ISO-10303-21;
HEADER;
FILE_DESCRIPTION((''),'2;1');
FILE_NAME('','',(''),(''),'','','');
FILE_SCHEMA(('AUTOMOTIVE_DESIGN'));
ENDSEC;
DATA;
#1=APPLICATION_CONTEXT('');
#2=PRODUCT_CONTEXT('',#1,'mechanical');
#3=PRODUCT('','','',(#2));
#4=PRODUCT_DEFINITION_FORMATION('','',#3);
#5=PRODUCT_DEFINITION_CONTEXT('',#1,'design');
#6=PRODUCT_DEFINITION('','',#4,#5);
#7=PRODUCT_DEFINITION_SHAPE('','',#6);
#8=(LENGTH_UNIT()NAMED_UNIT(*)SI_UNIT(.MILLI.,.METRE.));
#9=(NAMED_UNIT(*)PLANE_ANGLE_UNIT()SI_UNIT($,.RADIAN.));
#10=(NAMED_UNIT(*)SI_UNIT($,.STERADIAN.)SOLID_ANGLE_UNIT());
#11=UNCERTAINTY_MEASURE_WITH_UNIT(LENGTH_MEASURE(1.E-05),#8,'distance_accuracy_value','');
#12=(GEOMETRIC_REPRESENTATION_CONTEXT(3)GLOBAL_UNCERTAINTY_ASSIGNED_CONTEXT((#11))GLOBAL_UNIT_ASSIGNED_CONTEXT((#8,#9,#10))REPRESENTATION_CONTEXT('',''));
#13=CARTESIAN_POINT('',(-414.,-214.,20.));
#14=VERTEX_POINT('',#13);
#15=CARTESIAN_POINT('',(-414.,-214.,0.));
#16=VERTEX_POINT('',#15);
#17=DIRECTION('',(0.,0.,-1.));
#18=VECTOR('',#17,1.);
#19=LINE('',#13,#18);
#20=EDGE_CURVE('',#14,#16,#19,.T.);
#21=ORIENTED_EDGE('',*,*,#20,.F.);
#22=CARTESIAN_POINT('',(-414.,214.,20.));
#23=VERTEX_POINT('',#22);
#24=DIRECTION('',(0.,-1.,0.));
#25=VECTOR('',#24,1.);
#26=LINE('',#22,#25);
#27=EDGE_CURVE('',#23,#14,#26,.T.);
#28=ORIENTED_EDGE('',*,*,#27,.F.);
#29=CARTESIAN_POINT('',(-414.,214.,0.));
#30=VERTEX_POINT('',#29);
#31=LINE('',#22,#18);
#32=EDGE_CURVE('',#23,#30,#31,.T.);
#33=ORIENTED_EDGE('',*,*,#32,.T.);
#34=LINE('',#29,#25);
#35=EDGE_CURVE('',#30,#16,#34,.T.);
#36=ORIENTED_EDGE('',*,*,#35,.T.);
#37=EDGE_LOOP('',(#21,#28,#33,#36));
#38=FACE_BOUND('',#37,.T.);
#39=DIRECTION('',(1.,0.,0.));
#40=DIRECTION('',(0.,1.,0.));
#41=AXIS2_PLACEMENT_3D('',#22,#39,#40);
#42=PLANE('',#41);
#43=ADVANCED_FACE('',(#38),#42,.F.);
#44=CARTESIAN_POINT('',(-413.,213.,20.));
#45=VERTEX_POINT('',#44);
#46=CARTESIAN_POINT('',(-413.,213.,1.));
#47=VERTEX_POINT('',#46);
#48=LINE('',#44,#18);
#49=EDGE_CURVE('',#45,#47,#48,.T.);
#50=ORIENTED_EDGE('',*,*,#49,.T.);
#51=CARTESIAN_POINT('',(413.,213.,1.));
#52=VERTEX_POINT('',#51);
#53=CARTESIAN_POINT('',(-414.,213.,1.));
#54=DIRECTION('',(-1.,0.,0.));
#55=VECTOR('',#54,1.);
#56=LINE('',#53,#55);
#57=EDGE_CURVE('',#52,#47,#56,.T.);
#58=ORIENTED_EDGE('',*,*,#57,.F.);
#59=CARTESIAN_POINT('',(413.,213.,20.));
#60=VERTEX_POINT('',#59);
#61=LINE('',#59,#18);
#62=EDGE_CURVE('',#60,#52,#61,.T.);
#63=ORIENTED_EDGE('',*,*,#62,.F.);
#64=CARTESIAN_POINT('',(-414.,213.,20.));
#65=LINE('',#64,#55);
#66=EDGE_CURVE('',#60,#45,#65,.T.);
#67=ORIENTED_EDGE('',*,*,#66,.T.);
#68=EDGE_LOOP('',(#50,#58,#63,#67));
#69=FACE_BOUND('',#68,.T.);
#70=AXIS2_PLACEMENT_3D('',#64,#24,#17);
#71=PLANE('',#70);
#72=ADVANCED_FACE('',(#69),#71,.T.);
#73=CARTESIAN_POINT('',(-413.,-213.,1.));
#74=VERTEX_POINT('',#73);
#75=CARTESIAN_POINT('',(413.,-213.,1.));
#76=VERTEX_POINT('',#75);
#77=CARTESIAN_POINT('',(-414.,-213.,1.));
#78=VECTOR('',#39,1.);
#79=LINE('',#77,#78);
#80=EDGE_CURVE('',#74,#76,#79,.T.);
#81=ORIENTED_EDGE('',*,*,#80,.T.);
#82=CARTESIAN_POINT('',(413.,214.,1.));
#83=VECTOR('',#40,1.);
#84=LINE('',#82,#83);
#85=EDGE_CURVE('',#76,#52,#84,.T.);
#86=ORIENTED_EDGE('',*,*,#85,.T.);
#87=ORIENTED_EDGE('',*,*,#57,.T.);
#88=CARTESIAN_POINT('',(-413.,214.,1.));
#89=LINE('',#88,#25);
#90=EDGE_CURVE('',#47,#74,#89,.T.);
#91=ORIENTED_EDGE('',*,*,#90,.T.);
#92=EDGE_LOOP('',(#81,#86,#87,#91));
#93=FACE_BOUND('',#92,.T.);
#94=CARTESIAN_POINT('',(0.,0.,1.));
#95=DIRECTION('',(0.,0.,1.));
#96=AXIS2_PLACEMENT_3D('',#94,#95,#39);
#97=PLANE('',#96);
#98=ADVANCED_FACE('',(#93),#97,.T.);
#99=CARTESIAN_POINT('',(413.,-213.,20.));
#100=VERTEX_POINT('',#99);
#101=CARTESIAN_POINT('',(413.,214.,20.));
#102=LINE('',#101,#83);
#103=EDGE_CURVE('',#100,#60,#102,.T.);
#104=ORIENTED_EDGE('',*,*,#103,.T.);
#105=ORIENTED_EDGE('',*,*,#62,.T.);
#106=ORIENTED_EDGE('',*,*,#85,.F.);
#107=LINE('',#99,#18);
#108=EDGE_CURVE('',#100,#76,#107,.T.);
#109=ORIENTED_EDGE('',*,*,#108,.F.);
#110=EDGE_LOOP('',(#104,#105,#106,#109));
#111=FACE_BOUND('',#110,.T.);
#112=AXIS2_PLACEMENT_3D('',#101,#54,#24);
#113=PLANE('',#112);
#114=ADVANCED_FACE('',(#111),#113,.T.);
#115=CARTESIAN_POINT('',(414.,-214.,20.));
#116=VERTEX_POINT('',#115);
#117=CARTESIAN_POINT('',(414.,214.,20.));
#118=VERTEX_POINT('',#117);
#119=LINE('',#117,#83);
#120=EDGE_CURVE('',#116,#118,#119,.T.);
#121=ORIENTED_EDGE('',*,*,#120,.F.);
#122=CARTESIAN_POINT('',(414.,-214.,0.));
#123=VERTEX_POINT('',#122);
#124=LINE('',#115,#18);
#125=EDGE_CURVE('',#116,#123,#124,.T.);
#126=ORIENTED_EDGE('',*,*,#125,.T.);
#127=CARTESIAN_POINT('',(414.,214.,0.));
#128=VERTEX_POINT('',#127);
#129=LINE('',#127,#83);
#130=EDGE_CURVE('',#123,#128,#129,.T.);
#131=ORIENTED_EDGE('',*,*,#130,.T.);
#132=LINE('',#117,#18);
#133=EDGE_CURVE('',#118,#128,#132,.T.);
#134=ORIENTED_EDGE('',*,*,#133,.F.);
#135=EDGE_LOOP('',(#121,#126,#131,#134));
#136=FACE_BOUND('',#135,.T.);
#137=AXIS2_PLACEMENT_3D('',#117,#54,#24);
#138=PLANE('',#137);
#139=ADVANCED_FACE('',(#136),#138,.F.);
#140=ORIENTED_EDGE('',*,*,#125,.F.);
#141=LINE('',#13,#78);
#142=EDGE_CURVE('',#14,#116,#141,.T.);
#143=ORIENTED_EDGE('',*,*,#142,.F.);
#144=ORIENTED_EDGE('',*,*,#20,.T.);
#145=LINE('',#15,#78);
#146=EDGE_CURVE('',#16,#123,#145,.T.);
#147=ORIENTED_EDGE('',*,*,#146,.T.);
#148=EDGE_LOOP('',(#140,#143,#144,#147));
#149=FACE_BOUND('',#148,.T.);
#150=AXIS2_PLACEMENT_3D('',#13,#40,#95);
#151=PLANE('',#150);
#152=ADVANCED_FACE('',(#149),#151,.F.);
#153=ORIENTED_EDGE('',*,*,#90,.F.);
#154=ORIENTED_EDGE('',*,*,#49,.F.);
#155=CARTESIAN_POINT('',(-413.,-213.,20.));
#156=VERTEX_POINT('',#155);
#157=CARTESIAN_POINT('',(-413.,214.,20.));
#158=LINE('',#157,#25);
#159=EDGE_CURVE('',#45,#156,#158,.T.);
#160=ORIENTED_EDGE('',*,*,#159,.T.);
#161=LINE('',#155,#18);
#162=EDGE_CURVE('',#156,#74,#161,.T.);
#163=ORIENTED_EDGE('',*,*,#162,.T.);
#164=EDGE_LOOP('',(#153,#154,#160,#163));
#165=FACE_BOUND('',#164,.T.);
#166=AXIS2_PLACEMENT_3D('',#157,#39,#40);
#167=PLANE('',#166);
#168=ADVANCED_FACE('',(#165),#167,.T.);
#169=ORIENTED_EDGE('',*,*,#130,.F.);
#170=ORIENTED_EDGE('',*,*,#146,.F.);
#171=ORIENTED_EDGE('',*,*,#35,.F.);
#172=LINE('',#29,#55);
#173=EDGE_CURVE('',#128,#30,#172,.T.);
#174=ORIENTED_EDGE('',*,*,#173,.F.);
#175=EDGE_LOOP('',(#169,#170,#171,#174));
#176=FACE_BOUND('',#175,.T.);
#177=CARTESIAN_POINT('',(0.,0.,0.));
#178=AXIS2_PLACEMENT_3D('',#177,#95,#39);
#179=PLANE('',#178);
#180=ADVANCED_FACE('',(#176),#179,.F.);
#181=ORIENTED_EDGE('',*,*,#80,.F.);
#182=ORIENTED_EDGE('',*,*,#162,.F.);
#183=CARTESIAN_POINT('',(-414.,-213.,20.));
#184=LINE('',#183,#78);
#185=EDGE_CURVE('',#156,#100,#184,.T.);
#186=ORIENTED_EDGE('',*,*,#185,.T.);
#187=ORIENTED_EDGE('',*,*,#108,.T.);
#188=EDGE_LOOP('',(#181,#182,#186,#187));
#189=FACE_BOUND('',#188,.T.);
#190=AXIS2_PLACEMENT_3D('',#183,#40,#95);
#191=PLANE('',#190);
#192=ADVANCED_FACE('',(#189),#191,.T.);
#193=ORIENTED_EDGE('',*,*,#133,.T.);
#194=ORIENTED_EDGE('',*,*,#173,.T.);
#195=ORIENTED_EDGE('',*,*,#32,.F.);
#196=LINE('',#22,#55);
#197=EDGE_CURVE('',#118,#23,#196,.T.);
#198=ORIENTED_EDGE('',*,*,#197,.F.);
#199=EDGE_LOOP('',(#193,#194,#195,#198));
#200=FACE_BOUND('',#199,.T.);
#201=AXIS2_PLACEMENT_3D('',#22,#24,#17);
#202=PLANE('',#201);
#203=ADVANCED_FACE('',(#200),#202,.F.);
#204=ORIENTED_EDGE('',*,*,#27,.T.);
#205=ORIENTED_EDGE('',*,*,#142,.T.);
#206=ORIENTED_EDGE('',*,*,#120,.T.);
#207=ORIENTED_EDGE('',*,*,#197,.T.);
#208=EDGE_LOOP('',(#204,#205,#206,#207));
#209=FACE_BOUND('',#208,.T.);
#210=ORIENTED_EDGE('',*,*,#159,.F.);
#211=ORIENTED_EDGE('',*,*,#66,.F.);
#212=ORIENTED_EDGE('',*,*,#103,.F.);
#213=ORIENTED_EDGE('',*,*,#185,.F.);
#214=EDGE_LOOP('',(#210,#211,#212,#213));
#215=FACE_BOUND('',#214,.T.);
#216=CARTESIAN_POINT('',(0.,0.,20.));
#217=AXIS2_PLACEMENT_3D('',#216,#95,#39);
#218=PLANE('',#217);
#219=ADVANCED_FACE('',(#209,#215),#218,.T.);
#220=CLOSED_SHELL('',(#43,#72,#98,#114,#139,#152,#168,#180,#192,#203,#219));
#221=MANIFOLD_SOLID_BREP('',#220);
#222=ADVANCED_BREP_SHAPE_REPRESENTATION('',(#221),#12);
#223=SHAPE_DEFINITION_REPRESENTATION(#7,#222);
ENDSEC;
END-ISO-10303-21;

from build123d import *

# Parameters (mm, degrees)
SKETCH_1_W      = 828
SKETCH_1_H      = 428
EXTRUDE_1_DEPTH = 20
SHELL_1_T       = -1


with BuildPart() as part:
    # 草图1 → 凸台-拉伸1 (new body)
    with BuildSketch(Plane.XY):
        Rectangle(SKETCH_1_W, SKETCH_1_H)
    extrude(amount=EXTRUDE_1_DEPTH)

    # 抽壳1
    shell_1_openings = [part.faces().sort_by_distance(p)[0] for p in [
        (0, 0, 20),
    ]]
    offset(amount=SHELL_1_T, openings=shell_1_openings, kind=Kind.INTERSECTION)


solid = part.part
